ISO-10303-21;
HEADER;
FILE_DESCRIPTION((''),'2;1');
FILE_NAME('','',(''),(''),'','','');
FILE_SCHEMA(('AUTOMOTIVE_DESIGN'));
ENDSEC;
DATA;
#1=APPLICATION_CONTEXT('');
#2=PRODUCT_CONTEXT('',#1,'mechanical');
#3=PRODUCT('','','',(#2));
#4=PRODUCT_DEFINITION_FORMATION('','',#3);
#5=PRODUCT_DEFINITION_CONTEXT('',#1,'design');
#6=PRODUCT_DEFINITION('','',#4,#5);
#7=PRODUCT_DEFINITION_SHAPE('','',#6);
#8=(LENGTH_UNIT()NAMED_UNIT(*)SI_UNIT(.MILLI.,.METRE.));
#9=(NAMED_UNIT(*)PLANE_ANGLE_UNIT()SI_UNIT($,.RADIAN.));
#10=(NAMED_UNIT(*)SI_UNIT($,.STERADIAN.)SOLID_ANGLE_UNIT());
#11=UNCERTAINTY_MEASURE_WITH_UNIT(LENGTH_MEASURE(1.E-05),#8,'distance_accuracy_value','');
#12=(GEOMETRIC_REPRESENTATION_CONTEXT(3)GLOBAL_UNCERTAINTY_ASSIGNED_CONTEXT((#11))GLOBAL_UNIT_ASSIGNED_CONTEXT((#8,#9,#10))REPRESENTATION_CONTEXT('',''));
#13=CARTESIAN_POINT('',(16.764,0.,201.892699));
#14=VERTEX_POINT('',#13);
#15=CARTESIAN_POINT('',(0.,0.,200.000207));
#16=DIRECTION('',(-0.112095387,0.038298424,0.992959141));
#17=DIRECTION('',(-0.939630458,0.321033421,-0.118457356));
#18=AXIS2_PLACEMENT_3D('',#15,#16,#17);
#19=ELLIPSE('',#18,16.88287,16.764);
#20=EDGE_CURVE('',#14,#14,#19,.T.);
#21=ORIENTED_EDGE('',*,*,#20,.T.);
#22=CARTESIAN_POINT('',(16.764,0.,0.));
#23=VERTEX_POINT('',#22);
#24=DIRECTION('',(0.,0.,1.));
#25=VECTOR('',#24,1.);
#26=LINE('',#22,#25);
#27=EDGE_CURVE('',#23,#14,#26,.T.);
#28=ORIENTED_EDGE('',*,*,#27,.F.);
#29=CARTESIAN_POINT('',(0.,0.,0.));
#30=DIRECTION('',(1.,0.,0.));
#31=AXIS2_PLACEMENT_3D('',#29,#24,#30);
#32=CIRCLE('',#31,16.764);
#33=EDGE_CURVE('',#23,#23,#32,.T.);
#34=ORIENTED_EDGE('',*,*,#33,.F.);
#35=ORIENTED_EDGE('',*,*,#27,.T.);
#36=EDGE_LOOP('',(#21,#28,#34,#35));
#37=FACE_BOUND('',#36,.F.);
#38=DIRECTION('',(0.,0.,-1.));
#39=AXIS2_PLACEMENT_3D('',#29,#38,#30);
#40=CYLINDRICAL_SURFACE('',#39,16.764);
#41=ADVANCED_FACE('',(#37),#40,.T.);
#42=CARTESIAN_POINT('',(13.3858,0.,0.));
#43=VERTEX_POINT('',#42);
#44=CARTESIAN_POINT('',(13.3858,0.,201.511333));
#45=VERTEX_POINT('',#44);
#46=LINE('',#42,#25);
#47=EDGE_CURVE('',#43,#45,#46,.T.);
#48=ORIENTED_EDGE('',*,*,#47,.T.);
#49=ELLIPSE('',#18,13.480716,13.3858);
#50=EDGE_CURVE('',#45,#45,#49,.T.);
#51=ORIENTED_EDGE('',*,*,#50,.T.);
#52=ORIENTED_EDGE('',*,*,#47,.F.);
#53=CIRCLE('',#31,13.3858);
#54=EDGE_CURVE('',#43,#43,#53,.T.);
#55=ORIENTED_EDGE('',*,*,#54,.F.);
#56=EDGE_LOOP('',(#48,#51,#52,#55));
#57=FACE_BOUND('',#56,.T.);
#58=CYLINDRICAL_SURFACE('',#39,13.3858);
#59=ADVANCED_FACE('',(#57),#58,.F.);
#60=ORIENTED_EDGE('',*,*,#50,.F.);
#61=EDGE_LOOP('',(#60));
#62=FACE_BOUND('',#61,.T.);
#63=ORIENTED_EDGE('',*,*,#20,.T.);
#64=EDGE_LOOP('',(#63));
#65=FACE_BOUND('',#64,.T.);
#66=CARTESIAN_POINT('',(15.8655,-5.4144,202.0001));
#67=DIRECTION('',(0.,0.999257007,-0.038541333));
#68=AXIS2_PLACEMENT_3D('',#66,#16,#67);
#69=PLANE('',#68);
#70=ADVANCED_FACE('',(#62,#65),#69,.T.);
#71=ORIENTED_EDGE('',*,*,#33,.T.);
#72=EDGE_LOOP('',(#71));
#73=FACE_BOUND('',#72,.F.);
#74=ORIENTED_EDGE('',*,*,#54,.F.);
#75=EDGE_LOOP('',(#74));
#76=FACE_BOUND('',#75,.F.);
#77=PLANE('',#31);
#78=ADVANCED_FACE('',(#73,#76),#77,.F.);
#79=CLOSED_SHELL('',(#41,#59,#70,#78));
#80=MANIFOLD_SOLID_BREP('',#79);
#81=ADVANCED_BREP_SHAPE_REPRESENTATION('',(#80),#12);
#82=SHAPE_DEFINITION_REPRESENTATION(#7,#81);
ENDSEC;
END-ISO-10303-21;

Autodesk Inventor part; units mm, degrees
ref_plane "Start plane" through (0, 0, 0) normal (0, 0, 1) x (1, 0, 0)
ref_plane "End plane" through (0, 0, 202.5389) normal (0, 0, 1) x (1, 0, 0)
sketch "Sketch" plane through (0, 0, 0) normal (0, 0, 1) x (1, 0, 0)
  circle A0 centre (0, 0) radius 13.3858
  circle A1 centre (0, 0) radius 16.764
  dimension "d0" = 33.528
  dimension "d1" = 3.3782
extrude "Body" add sketch "Sketch" along normal up to surface (202.5389 mm away) from surface at 0
sketch "Sketch3" plane through (0, 0, 0) normal (0, 0, 1) x (1, 0, 0)
  line L0 (0, 0) -> (10, 0)
ref_plane "Work Plane3" through (0, 0, 0) normal (0, -1, 0) x (1, 0, 0)
ref_plane "Work Plane4" through (15.8655, -5.4144, 202.0001) normal (-0.1121, 0.0383, 0.993) x (0.9937, 0.0022, 0.1121)
split "Split1" plane through (15.8655, -5.4144, 202.0001) removes the side toward (-0.1121, 0.0383, 0.993)
sketch "Sketch4" plane through (0, 0, 0) normal (0, -1, 0) x (1, 0, 0)
  line L0 (-2, 0) -> (12, 0) projected
  line L1 (-2, 202.5389) -> (12, 202.5389) projected
  dimension "d7" = 202.5389
equation "\"d0\" = G_H"
equation "\"d1\" = G_T"
equation "\"d2\" = G_L"
equation "\"G_H\" = 33.528"
equation "\"G_T\" = 3.3782"
equation "\"G_L\" = 202.0001"
equation "\"G_OFFSET_START\" = 0"
equation "\"G_OFFSET_END\" = 2.5389"
equation "\"d5\" = G_OFFSET_END + B_L"
equation "\"B_L\" = 200"
properties part number "ANSI - 1 x 0.133 - 7.953" material "Steel, Mild"
